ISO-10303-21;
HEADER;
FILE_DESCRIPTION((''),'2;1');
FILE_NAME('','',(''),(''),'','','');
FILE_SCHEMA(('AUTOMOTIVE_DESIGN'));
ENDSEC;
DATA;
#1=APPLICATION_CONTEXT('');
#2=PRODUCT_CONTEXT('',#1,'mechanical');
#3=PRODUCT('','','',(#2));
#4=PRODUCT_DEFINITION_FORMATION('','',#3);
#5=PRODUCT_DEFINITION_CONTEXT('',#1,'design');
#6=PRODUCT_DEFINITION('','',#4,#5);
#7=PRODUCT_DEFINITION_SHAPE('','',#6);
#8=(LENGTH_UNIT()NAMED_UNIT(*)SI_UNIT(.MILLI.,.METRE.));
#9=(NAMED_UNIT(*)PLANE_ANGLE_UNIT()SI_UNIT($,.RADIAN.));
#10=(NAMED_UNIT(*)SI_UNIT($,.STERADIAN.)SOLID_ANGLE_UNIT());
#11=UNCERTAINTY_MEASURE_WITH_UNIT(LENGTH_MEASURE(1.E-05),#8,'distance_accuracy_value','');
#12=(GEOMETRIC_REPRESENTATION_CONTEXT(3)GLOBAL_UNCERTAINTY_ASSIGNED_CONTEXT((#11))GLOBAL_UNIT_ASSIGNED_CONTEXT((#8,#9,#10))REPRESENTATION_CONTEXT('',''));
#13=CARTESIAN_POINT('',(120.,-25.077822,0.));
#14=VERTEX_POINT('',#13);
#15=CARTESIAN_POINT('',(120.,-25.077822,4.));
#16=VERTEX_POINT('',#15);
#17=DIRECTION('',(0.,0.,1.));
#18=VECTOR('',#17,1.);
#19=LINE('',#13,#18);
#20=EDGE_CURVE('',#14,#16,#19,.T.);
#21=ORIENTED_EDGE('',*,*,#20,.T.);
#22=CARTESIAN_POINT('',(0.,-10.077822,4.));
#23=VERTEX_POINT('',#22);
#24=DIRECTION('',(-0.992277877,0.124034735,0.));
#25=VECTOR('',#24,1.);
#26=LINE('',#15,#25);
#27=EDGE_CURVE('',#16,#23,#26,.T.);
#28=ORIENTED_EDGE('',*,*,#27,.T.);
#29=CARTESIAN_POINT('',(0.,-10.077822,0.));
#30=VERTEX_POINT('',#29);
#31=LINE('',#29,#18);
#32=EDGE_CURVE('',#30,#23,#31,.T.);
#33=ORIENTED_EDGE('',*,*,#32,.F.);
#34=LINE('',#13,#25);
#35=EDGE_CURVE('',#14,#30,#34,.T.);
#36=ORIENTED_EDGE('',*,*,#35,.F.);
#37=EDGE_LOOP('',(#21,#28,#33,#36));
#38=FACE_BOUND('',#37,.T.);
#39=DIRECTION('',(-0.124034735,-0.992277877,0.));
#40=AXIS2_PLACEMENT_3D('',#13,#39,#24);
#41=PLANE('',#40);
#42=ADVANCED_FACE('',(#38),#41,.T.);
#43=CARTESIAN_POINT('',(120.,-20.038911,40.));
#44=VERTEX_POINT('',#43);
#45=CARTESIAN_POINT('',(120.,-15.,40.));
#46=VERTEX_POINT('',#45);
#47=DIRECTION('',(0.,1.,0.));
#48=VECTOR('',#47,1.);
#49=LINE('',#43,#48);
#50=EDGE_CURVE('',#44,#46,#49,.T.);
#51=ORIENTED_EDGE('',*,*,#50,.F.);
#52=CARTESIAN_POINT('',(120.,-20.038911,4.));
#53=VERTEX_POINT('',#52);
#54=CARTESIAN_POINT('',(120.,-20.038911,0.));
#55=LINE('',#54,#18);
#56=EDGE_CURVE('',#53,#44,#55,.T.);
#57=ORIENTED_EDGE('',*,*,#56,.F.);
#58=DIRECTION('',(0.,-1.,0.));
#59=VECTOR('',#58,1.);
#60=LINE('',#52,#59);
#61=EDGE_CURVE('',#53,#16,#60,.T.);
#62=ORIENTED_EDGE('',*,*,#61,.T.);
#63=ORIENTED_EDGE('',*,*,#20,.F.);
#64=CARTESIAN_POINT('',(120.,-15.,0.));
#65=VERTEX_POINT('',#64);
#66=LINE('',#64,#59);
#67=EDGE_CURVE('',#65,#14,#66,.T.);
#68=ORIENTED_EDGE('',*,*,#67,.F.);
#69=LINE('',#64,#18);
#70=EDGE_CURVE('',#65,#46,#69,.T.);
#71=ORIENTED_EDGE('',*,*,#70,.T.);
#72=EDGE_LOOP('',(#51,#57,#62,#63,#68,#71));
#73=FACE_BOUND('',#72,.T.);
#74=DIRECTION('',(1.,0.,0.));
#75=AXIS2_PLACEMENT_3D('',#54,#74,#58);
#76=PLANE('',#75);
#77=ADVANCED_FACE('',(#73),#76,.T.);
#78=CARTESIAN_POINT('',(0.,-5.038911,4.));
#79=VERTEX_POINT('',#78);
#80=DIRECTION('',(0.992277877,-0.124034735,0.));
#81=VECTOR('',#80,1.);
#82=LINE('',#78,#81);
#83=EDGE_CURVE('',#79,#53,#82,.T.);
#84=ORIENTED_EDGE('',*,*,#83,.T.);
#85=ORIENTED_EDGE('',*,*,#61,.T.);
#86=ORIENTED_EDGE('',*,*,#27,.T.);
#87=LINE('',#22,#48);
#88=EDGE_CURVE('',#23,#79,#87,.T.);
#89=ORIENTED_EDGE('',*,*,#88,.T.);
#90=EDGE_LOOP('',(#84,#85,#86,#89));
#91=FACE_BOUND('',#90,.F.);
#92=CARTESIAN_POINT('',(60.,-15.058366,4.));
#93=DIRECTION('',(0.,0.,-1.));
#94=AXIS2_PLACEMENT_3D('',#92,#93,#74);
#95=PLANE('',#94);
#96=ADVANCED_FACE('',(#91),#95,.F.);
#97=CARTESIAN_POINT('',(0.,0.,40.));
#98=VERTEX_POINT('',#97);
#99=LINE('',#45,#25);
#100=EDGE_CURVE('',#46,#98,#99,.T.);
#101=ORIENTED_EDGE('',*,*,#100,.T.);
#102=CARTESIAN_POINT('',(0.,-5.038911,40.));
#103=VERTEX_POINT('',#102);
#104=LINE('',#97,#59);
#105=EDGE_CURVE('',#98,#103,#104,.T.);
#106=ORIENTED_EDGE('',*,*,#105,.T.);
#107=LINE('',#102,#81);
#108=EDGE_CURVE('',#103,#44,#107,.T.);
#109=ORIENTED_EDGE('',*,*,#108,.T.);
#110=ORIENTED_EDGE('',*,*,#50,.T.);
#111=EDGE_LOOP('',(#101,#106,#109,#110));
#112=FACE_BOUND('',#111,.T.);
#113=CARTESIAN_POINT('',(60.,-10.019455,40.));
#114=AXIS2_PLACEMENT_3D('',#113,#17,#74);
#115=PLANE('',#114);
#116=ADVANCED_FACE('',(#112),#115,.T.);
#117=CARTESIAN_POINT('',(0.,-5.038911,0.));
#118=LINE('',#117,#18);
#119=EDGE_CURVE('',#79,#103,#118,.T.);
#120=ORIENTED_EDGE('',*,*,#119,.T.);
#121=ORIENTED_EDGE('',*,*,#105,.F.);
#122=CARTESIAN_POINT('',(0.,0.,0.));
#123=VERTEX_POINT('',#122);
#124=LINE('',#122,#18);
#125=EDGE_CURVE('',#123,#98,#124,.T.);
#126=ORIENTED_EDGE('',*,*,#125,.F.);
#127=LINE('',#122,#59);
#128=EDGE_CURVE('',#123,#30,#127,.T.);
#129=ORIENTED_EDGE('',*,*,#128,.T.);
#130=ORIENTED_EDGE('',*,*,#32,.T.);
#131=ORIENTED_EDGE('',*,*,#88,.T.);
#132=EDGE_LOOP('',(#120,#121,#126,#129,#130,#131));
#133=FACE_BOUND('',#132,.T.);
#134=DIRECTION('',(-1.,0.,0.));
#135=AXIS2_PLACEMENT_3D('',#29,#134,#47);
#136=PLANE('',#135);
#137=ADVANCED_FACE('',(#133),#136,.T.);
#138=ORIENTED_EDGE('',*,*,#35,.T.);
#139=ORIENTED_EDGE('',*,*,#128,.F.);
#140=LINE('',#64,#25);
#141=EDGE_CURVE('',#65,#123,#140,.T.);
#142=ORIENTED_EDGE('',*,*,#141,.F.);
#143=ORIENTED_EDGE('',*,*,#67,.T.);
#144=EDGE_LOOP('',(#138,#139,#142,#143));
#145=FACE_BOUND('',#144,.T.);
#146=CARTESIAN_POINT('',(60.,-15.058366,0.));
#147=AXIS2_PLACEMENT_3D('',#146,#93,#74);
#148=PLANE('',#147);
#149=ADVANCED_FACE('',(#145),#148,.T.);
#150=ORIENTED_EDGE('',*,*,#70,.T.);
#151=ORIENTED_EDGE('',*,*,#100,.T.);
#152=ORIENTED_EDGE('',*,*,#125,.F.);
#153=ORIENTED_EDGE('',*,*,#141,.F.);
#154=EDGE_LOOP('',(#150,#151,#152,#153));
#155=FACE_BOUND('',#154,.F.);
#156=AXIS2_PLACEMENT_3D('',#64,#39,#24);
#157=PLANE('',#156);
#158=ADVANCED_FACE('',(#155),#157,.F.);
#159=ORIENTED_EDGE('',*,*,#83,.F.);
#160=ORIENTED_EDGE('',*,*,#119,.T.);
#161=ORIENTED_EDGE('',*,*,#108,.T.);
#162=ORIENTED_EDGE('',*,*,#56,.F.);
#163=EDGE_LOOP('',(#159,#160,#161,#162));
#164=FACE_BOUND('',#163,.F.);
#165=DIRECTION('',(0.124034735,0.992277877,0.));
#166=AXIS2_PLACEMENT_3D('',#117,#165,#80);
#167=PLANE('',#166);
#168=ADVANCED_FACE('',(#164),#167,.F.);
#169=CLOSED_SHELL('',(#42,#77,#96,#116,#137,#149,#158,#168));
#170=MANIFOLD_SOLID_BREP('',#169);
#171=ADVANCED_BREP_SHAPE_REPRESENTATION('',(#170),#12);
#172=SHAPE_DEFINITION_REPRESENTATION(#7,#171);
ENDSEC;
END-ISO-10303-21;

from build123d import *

# Parameters (mm, degrees)
F1_DEPTH = 40
F3_DEPTH = 4


with BuildPart() as f1:
    # F0 (on Top) → F1 (new body)
    with BuildSketch(Plane.XY):
        Polygon((120, -20.038911), (120, -15), (0, 0), (0, -5.038911), align=None)
    extrude(amount=F1_DEPTH)

    # F2 (on face) → F3 (join)
    with BuildSketch(Plane(origin=(0, 0, 0), x_dir=(1, 0, 0), z_dir=(0, 0, -1))):
        Polygon((0, 10.077822), (0, 5.038911), (120, 20.038911), (120, 25.077822), align=None)
    extrude(amount=-F3_DEPTH)


solid = f1.part
